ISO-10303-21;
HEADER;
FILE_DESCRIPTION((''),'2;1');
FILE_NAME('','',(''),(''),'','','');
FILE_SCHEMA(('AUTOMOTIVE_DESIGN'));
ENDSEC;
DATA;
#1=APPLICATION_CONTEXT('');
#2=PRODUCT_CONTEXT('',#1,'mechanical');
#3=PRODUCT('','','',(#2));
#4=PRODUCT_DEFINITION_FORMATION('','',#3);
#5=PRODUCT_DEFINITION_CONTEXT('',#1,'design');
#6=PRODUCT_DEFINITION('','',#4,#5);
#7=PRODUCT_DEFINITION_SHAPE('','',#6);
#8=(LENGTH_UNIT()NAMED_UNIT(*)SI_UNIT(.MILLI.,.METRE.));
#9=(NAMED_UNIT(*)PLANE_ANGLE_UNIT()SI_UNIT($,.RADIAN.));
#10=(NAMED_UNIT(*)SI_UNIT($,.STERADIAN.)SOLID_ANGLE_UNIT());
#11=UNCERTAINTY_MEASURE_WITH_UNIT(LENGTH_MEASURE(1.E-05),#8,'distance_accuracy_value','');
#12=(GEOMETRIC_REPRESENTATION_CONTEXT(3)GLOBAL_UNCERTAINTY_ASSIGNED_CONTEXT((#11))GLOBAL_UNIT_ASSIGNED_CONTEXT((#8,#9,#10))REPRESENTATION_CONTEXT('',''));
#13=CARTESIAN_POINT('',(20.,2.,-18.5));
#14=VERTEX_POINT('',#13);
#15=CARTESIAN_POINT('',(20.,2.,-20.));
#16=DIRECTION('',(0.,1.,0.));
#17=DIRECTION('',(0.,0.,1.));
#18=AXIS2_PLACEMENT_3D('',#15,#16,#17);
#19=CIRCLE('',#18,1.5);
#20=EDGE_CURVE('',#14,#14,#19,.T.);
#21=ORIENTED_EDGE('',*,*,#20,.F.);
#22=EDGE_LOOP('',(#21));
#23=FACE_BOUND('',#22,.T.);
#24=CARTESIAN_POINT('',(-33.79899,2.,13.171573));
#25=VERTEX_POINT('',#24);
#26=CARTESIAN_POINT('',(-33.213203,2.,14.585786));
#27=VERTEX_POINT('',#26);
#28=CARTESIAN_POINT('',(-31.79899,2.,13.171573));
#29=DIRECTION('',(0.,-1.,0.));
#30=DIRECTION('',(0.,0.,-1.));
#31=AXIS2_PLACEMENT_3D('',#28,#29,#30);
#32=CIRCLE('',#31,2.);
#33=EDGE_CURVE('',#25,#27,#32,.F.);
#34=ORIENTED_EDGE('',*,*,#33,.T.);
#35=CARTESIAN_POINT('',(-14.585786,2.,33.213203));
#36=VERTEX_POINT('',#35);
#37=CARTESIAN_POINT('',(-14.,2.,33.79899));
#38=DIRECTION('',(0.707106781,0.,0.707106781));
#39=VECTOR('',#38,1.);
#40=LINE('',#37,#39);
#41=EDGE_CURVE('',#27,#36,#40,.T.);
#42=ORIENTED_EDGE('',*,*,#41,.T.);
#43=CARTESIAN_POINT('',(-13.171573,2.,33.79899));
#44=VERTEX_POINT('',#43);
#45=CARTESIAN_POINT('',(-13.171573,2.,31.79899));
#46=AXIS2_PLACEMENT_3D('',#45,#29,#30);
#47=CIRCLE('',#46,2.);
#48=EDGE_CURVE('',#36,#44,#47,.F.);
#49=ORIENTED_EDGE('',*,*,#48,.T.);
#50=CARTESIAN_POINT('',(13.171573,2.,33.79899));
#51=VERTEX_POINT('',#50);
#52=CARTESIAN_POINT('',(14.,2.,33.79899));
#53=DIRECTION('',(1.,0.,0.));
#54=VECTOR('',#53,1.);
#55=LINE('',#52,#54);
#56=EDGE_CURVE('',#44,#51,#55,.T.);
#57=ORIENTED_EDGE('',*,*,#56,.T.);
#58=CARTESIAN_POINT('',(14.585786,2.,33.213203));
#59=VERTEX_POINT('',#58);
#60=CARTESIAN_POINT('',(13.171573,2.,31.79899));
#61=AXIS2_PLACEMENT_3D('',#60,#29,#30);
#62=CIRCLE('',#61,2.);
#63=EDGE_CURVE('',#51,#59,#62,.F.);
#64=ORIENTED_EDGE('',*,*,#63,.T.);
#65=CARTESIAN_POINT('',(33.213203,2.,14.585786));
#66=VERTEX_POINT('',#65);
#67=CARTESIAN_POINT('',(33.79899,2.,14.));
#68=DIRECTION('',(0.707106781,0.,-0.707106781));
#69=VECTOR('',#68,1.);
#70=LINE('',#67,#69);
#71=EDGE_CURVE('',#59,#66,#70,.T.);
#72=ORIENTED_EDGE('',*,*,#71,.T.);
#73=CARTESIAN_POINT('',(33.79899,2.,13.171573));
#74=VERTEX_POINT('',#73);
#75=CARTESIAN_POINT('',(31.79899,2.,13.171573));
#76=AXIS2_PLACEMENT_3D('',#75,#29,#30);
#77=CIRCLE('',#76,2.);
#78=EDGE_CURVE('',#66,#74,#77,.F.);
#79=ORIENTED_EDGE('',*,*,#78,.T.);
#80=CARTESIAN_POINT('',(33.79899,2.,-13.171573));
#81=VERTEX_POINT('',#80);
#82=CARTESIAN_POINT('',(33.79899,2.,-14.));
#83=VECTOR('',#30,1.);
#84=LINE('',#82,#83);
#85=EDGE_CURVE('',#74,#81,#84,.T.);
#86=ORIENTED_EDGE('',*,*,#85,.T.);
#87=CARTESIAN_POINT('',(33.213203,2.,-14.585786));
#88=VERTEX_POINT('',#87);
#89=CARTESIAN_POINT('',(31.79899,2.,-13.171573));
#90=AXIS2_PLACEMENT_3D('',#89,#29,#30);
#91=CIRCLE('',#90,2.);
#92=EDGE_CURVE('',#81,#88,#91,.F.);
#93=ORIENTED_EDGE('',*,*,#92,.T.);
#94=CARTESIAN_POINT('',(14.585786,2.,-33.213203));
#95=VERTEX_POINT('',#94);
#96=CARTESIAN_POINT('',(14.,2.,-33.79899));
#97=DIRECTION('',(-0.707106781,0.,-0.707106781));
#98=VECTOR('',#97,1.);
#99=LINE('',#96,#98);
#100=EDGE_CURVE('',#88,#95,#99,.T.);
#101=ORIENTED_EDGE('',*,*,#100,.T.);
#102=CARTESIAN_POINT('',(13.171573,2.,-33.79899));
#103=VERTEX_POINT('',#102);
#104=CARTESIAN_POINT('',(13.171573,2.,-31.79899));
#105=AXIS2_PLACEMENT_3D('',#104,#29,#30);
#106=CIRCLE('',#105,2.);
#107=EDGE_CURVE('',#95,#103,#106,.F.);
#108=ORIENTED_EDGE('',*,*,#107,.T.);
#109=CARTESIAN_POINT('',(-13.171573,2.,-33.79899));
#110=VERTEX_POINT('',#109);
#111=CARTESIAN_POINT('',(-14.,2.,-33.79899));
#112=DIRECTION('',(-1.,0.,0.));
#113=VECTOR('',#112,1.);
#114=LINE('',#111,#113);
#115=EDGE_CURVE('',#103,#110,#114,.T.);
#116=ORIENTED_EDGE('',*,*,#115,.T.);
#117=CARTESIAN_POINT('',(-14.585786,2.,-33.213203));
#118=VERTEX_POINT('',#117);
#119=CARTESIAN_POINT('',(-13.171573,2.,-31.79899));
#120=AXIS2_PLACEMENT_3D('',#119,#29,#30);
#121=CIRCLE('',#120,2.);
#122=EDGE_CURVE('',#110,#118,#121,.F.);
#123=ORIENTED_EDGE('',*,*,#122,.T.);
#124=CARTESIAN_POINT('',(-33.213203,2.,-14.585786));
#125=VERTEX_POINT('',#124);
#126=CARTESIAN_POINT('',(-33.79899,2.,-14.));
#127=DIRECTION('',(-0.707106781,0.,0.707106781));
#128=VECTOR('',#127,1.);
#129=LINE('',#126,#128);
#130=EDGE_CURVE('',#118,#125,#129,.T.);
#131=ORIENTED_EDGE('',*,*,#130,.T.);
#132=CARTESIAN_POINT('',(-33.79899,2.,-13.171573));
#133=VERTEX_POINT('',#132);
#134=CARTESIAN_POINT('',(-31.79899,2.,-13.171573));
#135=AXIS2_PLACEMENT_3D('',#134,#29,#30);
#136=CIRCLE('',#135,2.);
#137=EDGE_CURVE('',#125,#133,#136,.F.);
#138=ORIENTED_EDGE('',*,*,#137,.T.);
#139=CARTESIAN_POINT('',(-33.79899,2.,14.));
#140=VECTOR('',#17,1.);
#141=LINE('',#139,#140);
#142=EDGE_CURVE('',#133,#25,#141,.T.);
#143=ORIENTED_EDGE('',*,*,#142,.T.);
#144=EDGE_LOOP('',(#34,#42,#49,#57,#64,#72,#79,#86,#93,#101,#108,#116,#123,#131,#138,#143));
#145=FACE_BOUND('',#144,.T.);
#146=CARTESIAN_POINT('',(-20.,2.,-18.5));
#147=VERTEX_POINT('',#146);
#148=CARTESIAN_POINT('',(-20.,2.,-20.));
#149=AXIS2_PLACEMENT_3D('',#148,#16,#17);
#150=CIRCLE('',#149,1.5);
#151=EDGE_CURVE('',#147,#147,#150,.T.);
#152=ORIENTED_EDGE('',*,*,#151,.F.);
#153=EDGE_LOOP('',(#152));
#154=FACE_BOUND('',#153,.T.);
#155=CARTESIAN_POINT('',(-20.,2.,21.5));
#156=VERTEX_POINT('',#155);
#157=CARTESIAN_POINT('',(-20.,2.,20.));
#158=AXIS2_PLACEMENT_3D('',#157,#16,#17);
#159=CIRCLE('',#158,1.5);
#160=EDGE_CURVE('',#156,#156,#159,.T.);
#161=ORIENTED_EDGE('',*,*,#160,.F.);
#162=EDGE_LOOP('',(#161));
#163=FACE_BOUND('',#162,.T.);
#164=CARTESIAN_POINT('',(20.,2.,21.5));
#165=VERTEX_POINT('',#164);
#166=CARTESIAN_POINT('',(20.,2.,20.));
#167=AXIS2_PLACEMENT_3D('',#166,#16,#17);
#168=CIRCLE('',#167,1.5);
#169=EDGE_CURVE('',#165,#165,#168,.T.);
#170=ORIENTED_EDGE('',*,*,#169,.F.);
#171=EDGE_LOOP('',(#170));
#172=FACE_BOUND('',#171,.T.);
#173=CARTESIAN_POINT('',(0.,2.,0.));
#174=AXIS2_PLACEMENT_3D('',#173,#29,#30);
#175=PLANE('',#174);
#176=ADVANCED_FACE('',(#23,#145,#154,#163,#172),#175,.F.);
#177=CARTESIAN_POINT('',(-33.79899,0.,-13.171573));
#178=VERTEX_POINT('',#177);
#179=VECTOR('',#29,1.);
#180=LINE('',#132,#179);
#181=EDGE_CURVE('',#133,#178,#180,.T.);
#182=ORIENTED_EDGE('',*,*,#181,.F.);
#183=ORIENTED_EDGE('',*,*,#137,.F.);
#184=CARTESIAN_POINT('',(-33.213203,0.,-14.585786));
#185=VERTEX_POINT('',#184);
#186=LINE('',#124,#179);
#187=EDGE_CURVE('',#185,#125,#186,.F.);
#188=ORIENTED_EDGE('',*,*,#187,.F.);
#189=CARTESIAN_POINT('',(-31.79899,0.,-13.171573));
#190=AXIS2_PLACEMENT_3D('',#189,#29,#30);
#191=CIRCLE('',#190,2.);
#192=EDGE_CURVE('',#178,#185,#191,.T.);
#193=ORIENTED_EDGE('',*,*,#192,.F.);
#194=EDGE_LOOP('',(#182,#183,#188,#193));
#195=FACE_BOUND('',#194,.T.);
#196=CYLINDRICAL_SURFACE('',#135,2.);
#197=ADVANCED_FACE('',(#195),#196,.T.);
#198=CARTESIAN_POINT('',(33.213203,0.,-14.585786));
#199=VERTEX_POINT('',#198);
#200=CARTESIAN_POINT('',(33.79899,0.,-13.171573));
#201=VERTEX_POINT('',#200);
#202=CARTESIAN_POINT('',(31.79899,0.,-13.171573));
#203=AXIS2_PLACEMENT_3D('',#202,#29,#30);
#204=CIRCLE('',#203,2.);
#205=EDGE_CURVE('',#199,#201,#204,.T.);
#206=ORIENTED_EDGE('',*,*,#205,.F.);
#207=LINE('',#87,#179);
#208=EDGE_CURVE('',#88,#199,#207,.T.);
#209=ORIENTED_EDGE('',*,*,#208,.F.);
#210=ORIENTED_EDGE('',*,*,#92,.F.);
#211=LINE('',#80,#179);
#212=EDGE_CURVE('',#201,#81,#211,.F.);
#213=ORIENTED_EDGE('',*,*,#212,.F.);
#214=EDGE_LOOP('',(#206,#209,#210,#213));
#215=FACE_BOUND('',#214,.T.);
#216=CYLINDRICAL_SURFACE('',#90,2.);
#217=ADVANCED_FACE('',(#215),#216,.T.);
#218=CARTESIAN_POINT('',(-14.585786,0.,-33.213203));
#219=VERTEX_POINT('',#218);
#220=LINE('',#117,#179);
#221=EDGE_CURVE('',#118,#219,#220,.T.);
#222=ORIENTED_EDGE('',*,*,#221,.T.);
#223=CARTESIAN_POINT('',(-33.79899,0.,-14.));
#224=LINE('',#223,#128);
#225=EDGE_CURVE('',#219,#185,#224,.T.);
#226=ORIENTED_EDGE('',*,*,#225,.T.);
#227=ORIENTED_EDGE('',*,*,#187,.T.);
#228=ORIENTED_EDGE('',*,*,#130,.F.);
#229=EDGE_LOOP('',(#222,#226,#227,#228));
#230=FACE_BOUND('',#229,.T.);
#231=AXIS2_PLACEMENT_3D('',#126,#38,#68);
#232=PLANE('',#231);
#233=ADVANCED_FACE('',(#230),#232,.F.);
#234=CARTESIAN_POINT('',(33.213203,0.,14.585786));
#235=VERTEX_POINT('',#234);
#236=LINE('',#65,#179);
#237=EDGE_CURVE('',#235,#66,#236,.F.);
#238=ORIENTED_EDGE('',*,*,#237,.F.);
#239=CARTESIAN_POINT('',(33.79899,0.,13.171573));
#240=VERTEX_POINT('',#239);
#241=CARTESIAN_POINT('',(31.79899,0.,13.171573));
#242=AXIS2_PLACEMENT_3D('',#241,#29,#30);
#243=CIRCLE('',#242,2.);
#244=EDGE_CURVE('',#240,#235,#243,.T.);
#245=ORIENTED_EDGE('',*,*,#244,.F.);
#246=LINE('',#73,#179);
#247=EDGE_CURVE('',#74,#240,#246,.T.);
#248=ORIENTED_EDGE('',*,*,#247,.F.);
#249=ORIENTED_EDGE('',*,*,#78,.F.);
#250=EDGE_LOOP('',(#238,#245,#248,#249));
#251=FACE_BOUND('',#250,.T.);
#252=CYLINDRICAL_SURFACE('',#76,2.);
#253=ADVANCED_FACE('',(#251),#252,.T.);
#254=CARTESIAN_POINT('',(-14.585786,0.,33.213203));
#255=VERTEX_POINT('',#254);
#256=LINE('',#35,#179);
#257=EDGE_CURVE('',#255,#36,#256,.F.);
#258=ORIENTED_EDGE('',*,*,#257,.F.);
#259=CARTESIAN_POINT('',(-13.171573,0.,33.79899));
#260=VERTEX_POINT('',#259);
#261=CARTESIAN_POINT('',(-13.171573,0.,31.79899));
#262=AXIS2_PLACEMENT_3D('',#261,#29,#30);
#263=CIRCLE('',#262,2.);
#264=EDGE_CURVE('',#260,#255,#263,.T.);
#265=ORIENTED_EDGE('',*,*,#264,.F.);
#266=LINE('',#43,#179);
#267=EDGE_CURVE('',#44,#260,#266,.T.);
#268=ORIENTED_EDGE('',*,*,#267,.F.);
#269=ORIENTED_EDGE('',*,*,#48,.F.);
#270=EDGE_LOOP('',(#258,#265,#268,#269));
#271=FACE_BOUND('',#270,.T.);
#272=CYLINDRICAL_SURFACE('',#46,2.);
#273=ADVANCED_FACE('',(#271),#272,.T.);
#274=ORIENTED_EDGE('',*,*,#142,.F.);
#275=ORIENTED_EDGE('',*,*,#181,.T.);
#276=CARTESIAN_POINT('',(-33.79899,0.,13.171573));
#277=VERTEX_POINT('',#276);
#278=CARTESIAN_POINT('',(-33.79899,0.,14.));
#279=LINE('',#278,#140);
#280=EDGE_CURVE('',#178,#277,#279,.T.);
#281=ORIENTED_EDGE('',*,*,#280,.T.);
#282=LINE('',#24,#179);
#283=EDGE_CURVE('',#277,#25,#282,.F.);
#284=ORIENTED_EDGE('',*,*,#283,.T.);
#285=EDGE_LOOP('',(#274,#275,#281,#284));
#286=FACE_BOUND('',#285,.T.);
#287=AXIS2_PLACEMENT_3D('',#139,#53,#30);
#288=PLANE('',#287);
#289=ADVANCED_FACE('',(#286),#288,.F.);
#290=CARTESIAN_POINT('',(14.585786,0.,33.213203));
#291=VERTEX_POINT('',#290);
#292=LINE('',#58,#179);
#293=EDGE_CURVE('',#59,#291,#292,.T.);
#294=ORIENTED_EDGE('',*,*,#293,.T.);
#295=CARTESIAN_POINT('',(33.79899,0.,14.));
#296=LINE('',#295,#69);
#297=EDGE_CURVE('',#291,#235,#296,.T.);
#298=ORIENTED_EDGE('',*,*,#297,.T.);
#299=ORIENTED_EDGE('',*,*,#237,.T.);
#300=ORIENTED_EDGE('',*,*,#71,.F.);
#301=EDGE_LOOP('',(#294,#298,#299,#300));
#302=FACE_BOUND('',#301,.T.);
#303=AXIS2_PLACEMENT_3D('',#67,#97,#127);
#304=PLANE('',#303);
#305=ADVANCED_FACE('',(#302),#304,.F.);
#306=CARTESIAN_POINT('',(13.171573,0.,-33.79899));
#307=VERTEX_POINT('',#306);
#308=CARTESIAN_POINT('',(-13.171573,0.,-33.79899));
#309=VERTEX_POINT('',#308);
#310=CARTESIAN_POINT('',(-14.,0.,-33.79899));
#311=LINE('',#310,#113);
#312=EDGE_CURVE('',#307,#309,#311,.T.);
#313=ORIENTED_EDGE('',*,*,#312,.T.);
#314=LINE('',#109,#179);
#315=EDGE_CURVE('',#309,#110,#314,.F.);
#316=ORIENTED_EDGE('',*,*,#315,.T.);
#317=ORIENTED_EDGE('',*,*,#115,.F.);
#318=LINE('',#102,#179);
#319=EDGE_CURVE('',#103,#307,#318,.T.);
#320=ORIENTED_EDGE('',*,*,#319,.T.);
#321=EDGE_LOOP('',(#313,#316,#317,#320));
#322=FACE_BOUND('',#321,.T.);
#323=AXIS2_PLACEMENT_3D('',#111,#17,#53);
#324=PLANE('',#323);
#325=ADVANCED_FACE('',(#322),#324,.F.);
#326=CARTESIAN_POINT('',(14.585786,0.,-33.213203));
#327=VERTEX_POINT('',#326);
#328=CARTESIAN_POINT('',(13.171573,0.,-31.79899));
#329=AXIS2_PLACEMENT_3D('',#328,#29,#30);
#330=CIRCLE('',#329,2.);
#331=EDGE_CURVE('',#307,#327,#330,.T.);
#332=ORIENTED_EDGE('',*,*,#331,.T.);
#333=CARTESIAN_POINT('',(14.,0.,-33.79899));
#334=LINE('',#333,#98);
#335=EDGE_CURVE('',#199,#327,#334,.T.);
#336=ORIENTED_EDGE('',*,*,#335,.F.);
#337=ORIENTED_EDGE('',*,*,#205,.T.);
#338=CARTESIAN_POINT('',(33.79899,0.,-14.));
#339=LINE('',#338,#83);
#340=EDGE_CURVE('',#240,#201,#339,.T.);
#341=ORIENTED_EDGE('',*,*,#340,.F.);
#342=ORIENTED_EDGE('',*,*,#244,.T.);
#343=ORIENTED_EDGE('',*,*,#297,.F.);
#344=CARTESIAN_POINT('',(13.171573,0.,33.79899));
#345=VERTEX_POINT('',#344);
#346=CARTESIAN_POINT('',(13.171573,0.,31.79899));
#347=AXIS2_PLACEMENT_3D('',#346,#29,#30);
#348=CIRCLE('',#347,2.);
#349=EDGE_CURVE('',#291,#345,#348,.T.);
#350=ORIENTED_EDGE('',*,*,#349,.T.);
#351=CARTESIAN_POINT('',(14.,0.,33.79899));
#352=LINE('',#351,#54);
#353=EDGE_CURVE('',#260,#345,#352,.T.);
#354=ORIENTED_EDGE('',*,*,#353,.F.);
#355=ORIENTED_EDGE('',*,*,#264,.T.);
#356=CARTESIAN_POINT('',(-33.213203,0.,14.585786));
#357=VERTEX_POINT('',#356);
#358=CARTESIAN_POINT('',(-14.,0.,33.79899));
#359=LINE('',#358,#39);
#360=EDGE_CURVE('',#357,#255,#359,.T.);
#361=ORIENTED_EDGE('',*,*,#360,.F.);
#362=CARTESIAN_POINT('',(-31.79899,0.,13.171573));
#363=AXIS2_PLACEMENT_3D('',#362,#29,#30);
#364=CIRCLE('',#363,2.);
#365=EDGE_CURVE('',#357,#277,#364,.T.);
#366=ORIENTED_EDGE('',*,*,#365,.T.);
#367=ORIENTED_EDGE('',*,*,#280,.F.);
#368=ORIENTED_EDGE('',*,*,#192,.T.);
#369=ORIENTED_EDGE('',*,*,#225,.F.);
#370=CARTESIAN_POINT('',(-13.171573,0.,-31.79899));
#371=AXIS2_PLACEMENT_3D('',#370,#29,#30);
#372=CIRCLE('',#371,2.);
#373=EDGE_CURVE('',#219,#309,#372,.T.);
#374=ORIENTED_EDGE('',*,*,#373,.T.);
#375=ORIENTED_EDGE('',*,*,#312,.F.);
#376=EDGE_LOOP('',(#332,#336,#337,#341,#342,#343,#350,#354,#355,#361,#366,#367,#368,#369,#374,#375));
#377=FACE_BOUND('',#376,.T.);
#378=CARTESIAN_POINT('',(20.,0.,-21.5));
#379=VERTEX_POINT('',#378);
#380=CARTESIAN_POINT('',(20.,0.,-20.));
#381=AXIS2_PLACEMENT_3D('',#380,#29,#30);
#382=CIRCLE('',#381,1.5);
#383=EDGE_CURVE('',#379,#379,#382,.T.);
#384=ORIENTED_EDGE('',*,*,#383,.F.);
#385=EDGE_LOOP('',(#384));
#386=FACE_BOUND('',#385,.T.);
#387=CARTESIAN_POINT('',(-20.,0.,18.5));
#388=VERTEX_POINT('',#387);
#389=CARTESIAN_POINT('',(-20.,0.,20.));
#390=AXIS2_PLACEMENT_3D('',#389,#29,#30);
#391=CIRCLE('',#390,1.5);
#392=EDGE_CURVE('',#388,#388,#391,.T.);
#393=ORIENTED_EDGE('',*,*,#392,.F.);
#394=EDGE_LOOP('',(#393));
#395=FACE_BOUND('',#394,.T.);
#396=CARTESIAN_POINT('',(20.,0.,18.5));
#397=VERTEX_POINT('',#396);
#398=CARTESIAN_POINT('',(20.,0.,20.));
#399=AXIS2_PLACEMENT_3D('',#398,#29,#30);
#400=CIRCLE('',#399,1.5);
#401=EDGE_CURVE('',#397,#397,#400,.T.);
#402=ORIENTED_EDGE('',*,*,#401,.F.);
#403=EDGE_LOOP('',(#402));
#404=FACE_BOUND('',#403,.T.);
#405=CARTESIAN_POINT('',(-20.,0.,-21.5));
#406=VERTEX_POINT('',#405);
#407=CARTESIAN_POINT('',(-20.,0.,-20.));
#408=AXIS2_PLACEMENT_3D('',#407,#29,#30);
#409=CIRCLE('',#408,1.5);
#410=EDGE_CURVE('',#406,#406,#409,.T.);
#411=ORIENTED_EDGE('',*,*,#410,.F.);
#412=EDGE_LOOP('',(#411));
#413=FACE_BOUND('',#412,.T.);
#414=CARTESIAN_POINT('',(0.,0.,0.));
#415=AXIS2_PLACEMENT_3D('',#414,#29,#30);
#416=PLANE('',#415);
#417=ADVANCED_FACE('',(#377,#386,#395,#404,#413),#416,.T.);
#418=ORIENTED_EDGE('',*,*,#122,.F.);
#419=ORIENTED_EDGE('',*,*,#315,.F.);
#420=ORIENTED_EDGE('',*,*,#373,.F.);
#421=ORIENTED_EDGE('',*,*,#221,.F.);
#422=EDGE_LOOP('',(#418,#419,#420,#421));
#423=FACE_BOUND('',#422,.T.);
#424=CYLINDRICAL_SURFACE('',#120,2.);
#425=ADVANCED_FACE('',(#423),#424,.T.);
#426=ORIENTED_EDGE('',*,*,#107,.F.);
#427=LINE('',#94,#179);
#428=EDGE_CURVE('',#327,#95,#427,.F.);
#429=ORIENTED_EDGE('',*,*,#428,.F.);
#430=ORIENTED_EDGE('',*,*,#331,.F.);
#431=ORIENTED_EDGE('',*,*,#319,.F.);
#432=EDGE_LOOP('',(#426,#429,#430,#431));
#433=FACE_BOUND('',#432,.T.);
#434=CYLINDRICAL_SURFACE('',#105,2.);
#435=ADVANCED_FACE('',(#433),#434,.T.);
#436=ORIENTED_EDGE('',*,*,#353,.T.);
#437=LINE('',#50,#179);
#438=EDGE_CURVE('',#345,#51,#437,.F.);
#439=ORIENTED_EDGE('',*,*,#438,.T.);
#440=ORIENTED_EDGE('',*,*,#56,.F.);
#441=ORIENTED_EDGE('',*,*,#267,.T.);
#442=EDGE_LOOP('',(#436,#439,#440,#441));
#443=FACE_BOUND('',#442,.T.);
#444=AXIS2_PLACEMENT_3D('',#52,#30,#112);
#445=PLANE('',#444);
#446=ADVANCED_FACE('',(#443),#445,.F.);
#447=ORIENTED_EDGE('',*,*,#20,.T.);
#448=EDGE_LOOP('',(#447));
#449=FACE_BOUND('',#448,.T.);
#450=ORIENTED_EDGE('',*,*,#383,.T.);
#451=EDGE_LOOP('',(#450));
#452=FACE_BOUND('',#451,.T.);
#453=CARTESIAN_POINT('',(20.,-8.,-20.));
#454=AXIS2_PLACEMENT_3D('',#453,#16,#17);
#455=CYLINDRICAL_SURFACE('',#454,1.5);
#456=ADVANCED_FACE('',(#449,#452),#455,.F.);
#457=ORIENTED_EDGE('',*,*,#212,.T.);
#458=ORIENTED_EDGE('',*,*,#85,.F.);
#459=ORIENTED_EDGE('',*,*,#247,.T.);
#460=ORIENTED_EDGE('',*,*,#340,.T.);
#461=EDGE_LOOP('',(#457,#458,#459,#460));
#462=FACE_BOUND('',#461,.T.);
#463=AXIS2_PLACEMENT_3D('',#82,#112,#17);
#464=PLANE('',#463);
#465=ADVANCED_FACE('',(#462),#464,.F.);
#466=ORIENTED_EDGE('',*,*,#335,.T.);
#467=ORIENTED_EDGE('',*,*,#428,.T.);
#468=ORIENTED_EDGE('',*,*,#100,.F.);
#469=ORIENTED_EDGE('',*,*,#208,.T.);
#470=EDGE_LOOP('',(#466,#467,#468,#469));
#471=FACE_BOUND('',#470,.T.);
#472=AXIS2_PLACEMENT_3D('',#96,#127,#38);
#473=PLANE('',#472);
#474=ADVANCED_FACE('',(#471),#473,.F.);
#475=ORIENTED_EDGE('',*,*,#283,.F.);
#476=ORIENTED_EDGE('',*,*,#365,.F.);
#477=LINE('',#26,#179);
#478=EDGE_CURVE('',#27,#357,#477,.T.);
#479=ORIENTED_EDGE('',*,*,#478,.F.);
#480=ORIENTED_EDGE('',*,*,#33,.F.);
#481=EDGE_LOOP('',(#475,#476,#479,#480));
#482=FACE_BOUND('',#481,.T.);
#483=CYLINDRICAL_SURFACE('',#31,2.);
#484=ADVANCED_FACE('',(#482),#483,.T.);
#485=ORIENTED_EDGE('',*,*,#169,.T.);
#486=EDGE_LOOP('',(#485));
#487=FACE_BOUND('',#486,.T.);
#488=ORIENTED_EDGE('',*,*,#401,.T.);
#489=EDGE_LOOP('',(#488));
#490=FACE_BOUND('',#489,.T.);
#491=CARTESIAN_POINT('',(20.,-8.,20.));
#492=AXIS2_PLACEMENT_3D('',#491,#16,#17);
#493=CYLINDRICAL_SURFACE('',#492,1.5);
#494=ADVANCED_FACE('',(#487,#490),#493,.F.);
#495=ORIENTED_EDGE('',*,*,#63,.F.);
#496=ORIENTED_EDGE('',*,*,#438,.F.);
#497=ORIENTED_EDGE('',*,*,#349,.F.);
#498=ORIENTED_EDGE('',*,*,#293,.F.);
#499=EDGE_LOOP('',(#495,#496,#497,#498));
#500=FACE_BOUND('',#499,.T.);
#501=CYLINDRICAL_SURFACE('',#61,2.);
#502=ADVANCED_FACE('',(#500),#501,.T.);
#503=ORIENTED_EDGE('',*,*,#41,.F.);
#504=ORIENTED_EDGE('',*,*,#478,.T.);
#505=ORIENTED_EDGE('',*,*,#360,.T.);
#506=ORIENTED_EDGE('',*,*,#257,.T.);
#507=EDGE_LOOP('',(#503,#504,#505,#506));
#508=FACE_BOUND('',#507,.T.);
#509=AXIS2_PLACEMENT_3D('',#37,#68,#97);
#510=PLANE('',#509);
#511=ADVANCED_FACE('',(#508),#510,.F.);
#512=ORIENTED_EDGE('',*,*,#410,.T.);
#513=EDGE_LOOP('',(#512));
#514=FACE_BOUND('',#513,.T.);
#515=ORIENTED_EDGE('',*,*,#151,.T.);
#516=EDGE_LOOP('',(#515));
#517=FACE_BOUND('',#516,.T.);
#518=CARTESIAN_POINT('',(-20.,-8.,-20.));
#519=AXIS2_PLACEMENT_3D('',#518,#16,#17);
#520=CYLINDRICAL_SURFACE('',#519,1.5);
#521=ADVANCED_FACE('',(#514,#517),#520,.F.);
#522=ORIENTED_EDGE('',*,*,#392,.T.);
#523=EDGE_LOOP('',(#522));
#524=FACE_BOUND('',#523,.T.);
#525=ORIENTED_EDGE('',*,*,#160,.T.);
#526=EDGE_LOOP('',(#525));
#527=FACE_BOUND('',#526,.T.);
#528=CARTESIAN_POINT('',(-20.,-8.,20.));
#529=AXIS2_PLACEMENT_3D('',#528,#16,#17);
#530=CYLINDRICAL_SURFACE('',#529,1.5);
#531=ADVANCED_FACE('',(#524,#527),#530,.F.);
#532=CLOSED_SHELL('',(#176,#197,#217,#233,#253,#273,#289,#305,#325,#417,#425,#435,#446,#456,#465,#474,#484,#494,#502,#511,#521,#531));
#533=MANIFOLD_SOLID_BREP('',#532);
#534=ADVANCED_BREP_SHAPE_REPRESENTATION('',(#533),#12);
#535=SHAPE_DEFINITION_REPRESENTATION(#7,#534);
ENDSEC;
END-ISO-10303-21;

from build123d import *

# Parameters (mm, degrees)
BOSS_EXTRUDE1_DEPTH = 2
FILLET1_R           = 2
SKETCH2_R           = 1.5
CUT_EXTRUDE1_DEPTH  = 10


with BuildPart() as part:
    # Sketch1 → Boss-Extrude1 (new body)
    with BuildSketch(Plane(origin=(0, 0, 0), x_dir=(1, 0, 0), z_dir=(0, 1, 0))):
        Polygon((-14, 33.798989873), (14, 33.798989873), (33.798989873, 14), (33.798989873, -14), (14, -33.798989873), (-14, -33.798989873), (-33.798989873, -14), (-33.798989873, 14), align=None)
    extrude(amount=BOSS_EXTRUDE1_DEPTH)

    # Fillet1
    fillet1_edges = [part.edges().sort_by_distance(p)[0] for p in [
        (-14, 1, -33.798989873),
        (14, 1, -33.798989873),
        (33.798989873, 1, -14),
        (33.798989873, 1, 14),
        (14, 1, 33.798989873),
        (-14, 1, 33.798989873),
        (-33.798989873, 1, 14),
        (-33.798989873, 1, -14),
    ]]
    fillet(fillet1_edges, radius=FILLET1_R)

    # Sketch2 → Cut-Extrude1 (cut)
    with BuildSketch(Plane(origin=(0, 2, 0), x_dir=(1, 0, 0), z_dir=(0, 1, 0))):
        with Locations(Location((-20, 20, 0), (0, 0, 270))):
            Circle(SKETCH2_R)
        with Locations(Location((20, 20, 0), (0, 0, 270))):
            Circle(SKETCH2_R)
        with Locations(Location((20, -20, 0), (0, 0, 270))):
            Circle(SKETCH2_R)
        with Locations(Location((-20, -20, 0), (0, 0, 270))):
            Circle(SKETCH2_R)
    extrude(amount=-CUT_EXTRUDE1_DEPTH, mode=Mode.SUBTRACT)


solid = part.part
